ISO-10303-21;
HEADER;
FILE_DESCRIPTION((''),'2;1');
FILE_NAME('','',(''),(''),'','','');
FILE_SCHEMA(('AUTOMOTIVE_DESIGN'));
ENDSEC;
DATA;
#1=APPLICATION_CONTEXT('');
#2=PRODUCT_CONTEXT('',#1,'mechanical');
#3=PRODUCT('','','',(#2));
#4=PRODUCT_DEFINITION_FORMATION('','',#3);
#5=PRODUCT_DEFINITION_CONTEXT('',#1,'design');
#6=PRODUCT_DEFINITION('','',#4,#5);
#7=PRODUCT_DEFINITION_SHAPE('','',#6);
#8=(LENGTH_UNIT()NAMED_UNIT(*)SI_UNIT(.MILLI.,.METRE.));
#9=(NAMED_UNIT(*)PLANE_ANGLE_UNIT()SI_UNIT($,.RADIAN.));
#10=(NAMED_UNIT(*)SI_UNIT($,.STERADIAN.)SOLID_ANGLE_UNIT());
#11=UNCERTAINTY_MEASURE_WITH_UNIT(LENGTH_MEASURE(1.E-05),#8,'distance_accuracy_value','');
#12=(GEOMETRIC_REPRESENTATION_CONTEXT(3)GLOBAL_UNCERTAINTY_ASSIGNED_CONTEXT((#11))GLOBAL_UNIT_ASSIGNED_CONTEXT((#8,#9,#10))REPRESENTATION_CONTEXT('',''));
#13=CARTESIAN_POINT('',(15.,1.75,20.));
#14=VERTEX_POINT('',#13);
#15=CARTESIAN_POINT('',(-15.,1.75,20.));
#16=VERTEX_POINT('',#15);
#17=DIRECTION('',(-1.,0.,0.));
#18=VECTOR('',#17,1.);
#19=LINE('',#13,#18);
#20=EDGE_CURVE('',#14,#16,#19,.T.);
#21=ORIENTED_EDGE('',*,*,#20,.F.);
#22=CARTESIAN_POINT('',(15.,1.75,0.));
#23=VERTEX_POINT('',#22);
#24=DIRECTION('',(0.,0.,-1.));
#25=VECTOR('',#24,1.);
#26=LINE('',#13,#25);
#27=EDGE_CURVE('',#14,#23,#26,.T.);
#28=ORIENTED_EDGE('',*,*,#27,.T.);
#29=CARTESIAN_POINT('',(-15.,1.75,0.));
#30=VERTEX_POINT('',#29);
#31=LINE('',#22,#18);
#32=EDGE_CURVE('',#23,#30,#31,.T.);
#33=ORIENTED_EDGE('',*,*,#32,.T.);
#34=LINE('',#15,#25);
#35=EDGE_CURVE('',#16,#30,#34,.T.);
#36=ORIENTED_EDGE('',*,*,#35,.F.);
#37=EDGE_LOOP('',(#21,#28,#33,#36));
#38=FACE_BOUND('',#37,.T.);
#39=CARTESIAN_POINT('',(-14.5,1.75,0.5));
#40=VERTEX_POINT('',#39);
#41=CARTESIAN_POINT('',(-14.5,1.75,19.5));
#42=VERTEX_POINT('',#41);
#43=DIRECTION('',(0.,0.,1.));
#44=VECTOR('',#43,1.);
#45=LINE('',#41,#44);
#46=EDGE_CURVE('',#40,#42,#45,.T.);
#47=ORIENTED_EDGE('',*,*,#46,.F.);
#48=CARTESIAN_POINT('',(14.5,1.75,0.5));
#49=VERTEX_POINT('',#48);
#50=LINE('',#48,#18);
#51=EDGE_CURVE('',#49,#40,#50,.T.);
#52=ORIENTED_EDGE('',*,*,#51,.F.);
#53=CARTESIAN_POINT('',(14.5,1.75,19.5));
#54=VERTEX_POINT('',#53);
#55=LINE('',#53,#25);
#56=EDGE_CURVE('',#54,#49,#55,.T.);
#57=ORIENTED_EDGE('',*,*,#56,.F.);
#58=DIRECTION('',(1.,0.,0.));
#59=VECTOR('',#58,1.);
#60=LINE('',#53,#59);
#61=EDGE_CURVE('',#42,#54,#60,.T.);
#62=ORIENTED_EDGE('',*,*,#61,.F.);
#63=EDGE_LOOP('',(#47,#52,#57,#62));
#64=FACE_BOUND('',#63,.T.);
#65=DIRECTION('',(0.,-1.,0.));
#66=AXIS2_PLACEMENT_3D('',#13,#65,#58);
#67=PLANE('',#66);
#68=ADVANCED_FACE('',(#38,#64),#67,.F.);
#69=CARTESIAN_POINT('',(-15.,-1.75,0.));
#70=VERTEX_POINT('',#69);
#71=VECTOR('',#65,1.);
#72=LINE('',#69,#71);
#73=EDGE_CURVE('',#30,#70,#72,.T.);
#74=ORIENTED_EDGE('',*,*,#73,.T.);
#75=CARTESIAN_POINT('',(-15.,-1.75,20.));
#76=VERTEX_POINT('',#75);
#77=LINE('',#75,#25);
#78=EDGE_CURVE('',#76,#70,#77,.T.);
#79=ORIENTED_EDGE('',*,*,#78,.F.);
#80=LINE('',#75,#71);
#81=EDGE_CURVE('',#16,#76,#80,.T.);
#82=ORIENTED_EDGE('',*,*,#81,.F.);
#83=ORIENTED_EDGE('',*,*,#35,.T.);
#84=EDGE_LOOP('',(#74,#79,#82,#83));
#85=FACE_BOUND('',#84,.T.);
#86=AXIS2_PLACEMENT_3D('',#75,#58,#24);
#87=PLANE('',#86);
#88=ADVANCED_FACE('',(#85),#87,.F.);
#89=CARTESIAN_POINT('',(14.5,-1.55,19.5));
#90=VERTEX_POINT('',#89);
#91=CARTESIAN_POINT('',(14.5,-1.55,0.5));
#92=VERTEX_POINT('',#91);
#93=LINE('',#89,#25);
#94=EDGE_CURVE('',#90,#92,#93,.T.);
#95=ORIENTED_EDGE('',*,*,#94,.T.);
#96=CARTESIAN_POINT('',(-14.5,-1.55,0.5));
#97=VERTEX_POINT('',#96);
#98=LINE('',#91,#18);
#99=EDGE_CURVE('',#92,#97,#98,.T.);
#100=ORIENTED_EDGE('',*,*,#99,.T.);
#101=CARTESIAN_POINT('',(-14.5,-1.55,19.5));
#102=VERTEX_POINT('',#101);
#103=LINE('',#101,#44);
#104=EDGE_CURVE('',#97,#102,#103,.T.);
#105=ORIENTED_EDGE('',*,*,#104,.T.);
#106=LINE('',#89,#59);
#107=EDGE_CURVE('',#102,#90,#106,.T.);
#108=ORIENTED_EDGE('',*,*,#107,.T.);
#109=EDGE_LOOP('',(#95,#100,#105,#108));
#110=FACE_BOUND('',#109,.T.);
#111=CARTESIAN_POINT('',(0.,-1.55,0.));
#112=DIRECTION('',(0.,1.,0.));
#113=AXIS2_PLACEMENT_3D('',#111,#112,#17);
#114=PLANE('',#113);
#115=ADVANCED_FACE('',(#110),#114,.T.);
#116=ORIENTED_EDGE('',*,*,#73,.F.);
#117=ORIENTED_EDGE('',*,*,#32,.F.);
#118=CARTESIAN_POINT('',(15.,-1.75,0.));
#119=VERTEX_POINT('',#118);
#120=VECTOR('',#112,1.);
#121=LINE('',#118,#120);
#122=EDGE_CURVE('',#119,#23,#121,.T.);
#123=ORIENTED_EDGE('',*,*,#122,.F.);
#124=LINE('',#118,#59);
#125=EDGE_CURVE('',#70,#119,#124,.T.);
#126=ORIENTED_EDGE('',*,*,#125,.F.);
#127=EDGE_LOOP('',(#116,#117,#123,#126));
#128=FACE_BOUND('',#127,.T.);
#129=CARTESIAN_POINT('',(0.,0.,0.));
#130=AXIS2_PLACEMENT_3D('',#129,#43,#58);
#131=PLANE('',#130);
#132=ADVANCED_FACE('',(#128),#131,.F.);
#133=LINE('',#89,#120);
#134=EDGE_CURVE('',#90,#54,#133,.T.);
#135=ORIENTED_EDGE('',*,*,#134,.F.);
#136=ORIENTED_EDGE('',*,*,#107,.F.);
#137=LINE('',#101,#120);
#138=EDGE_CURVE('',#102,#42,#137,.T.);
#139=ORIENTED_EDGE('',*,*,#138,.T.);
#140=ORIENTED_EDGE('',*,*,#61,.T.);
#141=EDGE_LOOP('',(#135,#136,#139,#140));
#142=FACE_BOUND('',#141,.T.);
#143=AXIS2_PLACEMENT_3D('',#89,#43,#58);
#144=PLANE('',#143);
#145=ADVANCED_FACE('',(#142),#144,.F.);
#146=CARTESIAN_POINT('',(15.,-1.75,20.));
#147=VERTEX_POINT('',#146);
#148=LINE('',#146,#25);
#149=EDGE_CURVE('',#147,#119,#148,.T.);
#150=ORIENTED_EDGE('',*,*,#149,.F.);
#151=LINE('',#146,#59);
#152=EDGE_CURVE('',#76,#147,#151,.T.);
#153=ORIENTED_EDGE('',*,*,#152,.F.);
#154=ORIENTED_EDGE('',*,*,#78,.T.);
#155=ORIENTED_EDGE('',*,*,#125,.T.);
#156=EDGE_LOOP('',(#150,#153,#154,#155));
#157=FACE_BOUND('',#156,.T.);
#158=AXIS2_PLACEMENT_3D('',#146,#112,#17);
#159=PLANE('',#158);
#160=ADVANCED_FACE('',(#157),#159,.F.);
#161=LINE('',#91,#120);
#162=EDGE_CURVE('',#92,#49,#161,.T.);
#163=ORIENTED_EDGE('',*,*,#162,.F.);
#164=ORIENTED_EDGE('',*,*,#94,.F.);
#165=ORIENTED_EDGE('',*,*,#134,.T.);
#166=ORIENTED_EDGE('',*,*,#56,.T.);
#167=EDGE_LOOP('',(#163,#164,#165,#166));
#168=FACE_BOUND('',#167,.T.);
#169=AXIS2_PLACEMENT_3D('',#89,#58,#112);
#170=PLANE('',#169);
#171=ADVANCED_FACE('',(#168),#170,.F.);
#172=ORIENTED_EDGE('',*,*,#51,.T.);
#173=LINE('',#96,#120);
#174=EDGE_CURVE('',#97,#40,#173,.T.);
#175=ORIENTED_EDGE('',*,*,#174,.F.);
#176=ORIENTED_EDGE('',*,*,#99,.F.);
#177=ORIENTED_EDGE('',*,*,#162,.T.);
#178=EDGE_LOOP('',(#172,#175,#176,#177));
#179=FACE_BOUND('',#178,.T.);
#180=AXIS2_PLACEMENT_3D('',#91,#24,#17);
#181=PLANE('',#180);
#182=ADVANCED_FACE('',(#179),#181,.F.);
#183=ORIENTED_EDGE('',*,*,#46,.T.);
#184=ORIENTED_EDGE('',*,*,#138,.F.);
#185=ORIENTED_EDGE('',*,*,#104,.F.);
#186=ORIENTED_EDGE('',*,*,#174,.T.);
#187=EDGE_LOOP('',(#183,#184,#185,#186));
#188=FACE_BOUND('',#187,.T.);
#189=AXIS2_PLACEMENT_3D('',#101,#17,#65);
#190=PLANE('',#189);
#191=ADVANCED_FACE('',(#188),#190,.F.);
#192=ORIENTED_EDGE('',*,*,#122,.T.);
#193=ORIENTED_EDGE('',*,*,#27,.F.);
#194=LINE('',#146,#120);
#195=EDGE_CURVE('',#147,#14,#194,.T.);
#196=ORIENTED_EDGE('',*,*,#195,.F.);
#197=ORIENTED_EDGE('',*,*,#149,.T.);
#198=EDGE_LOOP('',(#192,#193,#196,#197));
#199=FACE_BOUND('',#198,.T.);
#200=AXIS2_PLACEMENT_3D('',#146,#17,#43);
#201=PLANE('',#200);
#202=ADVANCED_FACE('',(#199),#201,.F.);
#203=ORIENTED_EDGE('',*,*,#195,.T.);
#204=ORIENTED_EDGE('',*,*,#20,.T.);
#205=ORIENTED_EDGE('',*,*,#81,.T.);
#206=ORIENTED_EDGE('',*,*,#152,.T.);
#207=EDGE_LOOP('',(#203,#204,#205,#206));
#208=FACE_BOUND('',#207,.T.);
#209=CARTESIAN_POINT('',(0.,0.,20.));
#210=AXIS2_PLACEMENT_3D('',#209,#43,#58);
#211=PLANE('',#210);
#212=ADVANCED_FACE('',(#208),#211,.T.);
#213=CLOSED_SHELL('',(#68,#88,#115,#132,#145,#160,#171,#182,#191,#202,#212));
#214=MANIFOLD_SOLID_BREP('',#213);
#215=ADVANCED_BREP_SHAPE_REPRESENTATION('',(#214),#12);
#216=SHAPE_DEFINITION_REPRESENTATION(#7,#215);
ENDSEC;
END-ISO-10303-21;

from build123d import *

# Parameters (mm, degrees)
SKETCH1_W           = 30
SKETCH1_H           = 3.5
BOSS_EXTRUDE1_DEPTH = 20
SKETCH2_W           = 29
SKETCH2_H           = 19
CUT_EXTRUDE1_DEPTH  = 3.3


with BuildPart() as part:
    # Sketch1 → Boss-Extrude1 (new body)
    with BuildSketch(Plane.XY):
        Rectangle(SKETCH1_W, SKETCH1_H)
    extrude(amount=BOSS_EXTRUDE1_DEPTH)

    # Sketch2 → Cut-Extrude1 (cut)
    with BuildSketch(Plane(origin=(0, 1.75, 0), x_dir=(1, 0, 0), z_dir=(0, 1, 0))):
        with Locations((0, -10)):
            Rectangle(SKETCH2_W, SKETCH2_H)
    extrude(amount=-CUT_EXTRUDE1_DEPTH, mode=Mode.SUBTRACT)


solid = part.part
